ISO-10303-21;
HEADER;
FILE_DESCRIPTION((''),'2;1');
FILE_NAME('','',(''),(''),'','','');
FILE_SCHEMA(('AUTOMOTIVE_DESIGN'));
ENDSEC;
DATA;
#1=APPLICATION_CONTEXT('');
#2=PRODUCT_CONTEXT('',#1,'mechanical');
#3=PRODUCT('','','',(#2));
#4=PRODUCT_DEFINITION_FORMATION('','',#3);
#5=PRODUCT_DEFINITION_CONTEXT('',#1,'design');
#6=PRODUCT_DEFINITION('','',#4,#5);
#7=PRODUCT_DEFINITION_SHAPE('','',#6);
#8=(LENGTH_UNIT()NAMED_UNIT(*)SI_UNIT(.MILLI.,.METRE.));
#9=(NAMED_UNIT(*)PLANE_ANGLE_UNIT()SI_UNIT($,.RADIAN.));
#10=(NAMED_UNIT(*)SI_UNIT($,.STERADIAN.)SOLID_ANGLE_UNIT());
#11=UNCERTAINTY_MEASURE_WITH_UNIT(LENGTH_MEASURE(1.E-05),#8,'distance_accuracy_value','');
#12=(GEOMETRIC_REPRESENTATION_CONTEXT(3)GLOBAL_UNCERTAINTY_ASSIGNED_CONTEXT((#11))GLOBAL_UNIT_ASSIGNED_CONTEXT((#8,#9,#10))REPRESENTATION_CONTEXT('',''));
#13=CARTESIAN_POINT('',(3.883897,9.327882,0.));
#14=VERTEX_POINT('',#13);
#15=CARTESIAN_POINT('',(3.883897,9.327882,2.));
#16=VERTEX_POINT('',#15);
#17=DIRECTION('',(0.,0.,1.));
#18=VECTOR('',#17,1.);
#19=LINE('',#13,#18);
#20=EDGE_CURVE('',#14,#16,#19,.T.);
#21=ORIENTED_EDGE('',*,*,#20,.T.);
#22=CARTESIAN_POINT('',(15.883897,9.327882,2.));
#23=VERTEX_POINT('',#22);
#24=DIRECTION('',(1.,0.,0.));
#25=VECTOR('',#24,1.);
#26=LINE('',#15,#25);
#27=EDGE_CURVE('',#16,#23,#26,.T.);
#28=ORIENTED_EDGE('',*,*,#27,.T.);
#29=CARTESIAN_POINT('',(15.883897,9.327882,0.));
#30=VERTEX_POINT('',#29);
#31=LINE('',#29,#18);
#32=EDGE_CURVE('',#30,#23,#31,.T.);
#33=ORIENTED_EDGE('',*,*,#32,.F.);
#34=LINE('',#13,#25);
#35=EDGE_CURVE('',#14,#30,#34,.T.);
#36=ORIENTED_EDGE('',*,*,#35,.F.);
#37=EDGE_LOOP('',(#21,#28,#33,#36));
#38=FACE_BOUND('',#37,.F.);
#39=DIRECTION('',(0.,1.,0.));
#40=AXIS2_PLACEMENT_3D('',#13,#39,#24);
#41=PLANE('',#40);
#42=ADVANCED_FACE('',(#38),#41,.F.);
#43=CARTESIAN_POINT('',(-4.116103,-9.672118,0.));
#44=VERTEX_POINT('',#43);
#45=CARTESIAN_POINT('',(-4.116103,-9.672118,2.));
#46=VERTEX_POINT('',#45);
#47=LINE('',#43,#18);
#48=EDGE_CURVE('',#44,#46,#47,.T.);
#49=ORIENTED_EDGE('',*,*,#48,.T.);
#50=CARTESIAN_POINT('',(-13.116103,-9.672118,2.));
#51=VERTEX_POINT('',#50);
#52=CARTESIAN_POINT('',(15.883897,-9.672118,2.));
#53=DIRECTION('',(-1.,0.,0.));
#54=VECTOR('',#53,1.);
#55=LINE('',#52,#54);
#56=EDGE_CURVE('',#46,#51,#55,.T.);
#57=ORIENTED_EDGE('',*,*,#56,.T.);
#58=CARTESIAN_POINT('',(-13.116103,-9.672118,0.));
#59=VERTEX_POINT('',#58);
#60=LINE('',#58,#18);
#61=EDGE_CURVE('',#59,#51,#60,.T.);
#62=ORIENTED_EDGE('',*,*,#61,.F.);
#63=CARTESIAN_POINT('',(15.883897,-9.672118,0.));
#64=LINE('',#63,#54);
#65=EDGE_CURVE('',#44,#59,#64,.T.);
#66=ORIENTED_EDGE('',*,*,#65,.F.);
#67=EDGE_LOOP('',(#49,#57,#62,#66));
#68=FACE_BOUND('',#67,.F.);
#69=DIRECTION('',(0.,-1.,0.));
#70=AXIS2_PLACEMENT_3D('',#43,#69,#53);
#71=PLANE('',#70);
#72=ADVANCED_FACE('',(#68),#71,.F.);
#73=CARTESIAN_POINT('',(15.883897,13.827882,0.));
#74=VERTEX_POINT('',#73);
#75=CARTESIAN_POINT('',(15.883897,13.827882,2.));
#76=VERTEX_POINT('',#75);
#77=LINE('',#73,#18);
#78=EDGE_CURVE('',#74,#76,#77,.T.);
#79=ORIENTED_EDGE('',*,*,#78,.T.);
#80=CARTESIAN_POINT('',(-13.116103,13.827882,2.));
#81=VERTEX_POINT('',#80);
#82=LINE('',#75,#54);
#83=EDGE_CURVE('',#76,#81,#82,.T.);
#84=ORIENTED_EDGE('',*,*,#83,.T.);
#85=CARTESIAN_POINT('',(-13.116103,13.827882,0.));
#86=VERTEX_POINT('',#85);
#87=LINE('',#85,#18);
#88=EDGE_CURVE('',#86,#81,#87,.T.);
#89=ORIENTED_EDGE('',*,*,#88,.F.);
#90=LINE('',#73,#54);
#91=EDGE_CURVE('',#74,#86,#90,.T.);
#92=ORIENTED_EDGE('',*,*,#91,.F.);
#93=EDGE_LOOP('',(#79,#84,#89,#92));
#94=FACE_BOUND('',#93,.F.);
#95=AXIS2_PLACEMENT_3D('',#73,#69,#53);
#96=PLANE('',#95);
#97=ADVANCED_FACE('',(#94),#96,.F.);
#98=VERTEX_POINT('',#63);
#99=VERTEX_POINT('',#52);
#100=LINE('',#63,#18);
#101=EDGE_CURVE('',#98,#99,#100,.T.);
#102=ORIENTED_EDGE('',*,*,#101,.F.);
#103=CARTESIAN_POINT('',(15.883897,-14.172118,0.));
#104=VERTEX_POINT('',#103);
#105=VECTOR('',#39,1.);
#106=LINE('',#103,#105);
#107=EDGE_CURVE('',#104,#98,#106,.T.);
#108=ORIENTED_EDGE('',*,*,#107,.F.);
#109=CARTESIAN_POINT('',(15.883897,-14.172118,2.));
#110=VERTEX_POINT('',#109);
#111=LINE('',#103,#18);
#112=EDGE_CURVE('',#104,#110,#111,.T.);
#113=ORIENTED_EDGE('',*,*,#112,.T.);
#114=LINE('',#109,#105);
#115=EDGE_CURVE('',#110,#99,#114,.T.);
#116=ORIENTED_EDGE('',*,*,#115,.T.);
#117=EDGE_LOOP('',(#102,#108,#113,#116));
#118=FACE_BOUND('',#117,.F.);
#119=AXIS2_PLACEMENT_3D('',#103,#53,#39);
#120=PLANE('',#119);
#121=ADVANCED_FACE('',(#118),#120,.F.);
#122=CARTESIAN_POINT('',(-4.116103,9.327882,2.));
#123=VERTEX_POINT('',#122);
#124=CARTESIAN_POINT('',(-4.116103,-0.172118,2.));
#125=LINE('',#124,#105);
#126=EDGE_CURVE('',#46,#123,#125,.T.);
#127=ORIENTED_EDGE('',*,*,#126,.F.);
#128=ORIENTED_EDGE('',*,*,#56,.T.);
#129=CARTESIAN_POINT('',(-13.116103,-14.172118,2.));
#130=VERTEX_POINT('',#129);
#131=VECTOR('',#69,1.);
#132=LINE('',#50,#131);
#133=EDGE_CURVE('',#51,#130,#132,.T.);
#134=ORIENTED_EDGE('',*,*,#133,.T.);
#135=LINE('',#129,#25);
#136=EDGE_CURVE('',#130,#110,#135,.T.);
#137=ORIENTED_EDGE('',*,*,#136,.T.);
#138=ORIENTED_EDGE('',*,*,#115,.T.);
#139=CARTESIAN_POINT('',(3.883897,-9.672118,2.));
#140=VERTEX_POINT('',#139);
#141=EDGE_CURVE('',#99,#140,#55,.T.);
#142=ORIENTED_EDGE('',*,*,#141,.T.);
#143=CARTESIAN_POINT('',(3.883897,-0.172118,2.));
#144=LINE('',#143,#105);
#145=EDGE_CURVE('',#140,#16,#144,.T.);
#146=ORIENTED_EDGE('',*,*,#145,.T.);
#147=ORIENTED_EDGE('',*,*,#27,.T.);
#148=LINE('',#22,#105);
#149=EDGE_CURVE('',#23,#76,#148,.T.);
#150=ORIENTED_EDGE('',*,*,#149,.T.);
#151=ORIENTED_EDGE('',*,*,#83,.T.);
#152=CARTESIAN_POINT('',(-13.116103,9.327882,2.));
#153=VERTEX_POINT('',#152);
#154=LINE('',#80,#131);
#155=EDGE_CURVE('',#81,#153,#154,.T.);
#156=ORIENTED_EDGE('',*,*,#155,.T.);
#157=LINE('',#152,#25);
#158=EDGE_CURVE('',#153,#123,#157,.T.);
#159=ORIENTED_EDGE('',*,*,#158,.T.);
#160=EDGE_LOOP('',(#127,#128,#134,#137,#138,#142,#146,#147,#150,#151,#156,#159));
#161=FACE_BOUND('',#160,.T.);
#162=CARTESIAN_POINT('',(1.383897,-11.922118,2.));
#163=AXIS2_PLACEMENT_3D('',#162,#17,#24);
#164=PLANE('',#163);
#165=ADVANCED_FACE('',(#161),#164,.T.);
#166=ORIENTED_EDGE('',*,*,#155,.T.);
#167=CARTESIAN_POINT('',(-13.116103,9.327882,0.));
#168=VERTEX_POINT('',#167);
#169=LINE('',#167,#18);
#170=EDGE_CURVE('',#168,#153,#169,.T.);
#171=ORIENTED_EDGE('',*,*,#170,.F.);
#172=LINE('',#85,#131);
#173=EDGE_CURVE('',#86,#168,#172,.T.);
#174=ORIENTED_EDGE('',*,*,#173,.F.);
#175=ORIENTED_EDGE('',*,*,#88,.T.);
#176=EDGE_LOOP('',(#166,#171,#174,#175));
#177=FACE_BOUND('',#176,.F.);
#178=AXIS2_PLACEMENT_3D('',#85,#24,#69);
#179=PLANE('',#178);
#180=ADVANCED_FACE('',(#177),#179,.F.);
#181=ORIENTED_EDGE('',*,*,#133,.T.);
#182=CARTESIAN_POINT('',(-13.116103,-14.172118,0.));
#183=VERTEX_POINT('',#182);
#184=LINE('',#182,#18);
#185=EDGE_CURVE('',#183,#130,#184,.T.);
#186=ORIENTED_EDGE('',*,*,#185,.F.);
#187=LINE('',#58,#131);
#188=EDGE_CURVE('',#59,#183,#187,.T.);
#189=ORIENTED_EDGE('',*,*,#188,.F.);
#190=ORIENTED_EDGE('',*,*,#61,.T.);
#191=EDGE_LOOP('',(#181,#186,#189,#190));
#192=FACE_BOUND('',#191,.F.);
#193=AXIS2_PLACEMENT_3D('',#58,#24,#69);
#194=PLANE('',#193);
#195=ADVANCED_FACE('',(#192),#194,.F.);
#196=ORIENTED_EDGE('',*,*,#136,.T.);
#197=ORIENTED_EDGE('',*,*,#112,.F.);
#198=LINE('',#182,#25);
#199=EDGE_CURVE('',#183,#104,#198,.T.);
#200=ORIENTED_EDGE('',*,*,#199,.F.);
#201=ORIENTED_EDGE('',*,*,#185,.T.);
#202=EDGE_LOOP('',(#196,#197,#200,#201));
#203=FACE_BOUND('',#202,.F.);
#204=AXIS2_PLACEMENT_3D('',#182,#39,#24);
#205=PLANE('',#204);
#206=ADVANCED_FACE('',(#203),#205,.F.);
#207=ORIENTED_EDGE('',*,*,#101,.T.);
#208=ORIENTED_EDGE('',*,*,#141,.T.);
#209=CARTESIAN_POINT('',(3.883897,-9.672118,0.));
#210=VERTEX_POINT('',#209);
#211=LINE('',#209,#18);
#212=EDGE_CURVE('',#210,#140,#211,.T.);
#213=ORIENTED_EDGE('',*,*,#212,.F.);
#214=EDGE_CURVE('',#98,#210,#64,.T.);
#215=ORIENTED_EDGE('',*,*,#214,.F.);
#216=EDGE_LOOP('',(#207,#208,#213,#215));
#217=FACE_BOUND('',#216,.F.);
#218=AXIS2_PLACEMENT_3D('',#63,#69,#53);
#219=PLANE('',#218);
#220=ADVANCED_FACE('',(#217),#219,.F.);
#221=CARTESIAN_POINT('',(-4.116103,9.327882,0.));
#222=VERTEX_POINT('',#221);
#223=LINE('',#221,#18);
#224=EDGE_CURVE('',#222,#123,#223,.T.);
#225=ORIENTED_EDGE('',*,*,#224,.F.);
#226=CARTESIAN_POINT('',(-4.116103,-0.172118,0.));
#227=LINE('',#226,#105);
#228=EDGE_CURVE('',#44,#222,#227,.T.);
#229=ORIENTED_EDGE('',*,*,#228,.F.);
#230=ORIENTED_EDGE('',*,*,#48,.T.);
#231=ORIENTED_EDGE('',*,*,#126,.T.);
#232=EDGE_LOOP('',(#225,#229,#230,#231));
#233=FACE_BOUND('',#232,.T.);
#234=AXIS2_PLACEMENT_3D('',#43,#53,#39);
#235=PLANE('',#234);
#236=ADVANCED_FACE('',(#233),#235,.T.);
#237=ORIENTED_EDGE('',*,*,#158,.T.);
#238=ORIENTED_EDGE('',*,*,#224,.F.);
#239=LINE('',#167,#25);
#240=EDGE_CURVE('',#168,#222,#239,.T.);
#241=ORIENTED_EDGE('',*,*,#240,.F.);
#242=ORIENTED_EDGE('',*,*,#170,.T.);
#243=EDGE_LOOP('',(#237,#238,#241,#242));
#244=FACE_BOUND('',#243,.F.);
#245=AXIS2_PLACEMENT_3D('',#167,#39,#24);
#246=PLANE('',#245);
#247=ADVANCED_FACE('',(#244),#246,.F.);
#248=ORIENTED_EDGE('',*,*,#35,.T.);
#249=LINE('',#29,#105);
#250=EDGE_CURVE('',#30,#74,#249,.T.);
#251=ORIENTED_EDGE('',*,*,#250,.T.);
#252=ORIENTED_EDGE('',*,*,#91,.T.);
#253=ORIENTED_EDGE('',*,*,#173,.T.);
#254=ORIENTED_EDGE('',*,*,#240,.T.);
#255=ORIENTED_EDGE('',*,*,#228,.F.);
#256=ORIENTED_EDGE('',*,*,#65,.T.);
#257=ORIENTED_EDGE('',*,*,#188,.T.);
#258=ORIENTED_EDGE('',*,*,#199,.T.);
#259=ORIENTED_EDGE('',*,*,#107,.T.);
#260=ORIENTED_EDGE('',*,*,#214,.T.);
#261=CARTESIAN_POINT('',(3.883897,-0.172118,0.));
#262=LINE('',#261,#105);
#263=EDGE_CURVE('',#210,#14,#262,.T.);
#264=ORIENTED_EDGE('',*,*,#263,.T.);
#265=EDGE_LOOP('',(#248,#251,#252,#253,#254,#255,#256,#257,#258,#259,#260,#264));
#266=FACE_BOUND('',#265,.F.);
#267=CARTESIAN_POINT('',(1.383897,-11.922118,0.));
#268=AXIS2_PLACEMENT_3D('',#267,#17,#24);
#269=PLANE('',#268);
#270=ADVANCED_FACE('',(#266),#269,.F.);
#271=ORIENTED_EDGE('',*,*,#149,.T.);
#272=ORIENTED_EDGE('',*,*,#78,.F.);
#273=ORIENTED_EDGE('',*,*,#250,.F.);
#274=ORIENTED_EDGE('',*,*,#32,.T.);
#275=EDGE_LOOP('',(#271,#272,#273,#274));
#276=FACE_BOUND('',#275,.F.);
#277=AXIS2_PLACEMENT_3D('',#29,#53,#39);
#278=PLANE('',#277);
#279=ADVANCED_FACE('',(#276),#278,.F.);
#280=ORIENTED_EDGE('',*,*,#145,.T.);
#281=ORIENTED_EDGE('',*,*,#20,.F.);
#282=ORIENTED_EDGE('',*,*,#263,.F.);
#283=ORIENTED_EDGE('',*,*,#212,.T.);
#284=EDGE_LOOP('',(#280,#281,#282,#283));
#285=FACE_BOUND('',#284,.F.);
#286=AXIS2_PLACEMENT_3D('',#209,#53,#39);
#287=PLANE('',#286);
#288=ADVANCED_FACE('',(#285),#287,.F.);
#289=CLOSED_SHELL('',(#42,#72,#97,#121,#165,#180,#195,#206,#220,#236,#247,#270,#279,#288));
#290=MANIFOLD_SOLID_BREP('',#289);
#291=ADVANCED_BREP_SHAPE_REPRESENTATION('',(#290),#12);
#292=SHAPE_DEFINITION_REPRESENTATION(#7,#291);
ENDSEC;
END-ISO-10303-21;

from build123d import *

# Parameters (mm, degrees)
F0_W     = 8
F0_H     = 19
F1_DEPTH = 2


with BuildPart() as f1:
    # F0 (on Top) → F1 (new body)
    with BuildSketch(Plane.XY):
        Polygon((-4.116103, -9.672118), (-13.116103, -9.672118), (-13.116103, -14.172118), (15.883897, -14.172118), (15.883897, -9.672118), (3.883897, -9.672118), align=None)
        with Locations((-0.116103, -0.172118)):
            Rectangle(F0_W, F0_H)
        Polygon((-13.116103, 9.327882), (-4.116103, 9.327882), (3.883897, 9.327882), (15.883897, 9.327882), (15.883897, 13.827882), (-13.116103, 13.827882), align=None)
    extrude(amount=F1_DEPTH)


solid = f1.part
